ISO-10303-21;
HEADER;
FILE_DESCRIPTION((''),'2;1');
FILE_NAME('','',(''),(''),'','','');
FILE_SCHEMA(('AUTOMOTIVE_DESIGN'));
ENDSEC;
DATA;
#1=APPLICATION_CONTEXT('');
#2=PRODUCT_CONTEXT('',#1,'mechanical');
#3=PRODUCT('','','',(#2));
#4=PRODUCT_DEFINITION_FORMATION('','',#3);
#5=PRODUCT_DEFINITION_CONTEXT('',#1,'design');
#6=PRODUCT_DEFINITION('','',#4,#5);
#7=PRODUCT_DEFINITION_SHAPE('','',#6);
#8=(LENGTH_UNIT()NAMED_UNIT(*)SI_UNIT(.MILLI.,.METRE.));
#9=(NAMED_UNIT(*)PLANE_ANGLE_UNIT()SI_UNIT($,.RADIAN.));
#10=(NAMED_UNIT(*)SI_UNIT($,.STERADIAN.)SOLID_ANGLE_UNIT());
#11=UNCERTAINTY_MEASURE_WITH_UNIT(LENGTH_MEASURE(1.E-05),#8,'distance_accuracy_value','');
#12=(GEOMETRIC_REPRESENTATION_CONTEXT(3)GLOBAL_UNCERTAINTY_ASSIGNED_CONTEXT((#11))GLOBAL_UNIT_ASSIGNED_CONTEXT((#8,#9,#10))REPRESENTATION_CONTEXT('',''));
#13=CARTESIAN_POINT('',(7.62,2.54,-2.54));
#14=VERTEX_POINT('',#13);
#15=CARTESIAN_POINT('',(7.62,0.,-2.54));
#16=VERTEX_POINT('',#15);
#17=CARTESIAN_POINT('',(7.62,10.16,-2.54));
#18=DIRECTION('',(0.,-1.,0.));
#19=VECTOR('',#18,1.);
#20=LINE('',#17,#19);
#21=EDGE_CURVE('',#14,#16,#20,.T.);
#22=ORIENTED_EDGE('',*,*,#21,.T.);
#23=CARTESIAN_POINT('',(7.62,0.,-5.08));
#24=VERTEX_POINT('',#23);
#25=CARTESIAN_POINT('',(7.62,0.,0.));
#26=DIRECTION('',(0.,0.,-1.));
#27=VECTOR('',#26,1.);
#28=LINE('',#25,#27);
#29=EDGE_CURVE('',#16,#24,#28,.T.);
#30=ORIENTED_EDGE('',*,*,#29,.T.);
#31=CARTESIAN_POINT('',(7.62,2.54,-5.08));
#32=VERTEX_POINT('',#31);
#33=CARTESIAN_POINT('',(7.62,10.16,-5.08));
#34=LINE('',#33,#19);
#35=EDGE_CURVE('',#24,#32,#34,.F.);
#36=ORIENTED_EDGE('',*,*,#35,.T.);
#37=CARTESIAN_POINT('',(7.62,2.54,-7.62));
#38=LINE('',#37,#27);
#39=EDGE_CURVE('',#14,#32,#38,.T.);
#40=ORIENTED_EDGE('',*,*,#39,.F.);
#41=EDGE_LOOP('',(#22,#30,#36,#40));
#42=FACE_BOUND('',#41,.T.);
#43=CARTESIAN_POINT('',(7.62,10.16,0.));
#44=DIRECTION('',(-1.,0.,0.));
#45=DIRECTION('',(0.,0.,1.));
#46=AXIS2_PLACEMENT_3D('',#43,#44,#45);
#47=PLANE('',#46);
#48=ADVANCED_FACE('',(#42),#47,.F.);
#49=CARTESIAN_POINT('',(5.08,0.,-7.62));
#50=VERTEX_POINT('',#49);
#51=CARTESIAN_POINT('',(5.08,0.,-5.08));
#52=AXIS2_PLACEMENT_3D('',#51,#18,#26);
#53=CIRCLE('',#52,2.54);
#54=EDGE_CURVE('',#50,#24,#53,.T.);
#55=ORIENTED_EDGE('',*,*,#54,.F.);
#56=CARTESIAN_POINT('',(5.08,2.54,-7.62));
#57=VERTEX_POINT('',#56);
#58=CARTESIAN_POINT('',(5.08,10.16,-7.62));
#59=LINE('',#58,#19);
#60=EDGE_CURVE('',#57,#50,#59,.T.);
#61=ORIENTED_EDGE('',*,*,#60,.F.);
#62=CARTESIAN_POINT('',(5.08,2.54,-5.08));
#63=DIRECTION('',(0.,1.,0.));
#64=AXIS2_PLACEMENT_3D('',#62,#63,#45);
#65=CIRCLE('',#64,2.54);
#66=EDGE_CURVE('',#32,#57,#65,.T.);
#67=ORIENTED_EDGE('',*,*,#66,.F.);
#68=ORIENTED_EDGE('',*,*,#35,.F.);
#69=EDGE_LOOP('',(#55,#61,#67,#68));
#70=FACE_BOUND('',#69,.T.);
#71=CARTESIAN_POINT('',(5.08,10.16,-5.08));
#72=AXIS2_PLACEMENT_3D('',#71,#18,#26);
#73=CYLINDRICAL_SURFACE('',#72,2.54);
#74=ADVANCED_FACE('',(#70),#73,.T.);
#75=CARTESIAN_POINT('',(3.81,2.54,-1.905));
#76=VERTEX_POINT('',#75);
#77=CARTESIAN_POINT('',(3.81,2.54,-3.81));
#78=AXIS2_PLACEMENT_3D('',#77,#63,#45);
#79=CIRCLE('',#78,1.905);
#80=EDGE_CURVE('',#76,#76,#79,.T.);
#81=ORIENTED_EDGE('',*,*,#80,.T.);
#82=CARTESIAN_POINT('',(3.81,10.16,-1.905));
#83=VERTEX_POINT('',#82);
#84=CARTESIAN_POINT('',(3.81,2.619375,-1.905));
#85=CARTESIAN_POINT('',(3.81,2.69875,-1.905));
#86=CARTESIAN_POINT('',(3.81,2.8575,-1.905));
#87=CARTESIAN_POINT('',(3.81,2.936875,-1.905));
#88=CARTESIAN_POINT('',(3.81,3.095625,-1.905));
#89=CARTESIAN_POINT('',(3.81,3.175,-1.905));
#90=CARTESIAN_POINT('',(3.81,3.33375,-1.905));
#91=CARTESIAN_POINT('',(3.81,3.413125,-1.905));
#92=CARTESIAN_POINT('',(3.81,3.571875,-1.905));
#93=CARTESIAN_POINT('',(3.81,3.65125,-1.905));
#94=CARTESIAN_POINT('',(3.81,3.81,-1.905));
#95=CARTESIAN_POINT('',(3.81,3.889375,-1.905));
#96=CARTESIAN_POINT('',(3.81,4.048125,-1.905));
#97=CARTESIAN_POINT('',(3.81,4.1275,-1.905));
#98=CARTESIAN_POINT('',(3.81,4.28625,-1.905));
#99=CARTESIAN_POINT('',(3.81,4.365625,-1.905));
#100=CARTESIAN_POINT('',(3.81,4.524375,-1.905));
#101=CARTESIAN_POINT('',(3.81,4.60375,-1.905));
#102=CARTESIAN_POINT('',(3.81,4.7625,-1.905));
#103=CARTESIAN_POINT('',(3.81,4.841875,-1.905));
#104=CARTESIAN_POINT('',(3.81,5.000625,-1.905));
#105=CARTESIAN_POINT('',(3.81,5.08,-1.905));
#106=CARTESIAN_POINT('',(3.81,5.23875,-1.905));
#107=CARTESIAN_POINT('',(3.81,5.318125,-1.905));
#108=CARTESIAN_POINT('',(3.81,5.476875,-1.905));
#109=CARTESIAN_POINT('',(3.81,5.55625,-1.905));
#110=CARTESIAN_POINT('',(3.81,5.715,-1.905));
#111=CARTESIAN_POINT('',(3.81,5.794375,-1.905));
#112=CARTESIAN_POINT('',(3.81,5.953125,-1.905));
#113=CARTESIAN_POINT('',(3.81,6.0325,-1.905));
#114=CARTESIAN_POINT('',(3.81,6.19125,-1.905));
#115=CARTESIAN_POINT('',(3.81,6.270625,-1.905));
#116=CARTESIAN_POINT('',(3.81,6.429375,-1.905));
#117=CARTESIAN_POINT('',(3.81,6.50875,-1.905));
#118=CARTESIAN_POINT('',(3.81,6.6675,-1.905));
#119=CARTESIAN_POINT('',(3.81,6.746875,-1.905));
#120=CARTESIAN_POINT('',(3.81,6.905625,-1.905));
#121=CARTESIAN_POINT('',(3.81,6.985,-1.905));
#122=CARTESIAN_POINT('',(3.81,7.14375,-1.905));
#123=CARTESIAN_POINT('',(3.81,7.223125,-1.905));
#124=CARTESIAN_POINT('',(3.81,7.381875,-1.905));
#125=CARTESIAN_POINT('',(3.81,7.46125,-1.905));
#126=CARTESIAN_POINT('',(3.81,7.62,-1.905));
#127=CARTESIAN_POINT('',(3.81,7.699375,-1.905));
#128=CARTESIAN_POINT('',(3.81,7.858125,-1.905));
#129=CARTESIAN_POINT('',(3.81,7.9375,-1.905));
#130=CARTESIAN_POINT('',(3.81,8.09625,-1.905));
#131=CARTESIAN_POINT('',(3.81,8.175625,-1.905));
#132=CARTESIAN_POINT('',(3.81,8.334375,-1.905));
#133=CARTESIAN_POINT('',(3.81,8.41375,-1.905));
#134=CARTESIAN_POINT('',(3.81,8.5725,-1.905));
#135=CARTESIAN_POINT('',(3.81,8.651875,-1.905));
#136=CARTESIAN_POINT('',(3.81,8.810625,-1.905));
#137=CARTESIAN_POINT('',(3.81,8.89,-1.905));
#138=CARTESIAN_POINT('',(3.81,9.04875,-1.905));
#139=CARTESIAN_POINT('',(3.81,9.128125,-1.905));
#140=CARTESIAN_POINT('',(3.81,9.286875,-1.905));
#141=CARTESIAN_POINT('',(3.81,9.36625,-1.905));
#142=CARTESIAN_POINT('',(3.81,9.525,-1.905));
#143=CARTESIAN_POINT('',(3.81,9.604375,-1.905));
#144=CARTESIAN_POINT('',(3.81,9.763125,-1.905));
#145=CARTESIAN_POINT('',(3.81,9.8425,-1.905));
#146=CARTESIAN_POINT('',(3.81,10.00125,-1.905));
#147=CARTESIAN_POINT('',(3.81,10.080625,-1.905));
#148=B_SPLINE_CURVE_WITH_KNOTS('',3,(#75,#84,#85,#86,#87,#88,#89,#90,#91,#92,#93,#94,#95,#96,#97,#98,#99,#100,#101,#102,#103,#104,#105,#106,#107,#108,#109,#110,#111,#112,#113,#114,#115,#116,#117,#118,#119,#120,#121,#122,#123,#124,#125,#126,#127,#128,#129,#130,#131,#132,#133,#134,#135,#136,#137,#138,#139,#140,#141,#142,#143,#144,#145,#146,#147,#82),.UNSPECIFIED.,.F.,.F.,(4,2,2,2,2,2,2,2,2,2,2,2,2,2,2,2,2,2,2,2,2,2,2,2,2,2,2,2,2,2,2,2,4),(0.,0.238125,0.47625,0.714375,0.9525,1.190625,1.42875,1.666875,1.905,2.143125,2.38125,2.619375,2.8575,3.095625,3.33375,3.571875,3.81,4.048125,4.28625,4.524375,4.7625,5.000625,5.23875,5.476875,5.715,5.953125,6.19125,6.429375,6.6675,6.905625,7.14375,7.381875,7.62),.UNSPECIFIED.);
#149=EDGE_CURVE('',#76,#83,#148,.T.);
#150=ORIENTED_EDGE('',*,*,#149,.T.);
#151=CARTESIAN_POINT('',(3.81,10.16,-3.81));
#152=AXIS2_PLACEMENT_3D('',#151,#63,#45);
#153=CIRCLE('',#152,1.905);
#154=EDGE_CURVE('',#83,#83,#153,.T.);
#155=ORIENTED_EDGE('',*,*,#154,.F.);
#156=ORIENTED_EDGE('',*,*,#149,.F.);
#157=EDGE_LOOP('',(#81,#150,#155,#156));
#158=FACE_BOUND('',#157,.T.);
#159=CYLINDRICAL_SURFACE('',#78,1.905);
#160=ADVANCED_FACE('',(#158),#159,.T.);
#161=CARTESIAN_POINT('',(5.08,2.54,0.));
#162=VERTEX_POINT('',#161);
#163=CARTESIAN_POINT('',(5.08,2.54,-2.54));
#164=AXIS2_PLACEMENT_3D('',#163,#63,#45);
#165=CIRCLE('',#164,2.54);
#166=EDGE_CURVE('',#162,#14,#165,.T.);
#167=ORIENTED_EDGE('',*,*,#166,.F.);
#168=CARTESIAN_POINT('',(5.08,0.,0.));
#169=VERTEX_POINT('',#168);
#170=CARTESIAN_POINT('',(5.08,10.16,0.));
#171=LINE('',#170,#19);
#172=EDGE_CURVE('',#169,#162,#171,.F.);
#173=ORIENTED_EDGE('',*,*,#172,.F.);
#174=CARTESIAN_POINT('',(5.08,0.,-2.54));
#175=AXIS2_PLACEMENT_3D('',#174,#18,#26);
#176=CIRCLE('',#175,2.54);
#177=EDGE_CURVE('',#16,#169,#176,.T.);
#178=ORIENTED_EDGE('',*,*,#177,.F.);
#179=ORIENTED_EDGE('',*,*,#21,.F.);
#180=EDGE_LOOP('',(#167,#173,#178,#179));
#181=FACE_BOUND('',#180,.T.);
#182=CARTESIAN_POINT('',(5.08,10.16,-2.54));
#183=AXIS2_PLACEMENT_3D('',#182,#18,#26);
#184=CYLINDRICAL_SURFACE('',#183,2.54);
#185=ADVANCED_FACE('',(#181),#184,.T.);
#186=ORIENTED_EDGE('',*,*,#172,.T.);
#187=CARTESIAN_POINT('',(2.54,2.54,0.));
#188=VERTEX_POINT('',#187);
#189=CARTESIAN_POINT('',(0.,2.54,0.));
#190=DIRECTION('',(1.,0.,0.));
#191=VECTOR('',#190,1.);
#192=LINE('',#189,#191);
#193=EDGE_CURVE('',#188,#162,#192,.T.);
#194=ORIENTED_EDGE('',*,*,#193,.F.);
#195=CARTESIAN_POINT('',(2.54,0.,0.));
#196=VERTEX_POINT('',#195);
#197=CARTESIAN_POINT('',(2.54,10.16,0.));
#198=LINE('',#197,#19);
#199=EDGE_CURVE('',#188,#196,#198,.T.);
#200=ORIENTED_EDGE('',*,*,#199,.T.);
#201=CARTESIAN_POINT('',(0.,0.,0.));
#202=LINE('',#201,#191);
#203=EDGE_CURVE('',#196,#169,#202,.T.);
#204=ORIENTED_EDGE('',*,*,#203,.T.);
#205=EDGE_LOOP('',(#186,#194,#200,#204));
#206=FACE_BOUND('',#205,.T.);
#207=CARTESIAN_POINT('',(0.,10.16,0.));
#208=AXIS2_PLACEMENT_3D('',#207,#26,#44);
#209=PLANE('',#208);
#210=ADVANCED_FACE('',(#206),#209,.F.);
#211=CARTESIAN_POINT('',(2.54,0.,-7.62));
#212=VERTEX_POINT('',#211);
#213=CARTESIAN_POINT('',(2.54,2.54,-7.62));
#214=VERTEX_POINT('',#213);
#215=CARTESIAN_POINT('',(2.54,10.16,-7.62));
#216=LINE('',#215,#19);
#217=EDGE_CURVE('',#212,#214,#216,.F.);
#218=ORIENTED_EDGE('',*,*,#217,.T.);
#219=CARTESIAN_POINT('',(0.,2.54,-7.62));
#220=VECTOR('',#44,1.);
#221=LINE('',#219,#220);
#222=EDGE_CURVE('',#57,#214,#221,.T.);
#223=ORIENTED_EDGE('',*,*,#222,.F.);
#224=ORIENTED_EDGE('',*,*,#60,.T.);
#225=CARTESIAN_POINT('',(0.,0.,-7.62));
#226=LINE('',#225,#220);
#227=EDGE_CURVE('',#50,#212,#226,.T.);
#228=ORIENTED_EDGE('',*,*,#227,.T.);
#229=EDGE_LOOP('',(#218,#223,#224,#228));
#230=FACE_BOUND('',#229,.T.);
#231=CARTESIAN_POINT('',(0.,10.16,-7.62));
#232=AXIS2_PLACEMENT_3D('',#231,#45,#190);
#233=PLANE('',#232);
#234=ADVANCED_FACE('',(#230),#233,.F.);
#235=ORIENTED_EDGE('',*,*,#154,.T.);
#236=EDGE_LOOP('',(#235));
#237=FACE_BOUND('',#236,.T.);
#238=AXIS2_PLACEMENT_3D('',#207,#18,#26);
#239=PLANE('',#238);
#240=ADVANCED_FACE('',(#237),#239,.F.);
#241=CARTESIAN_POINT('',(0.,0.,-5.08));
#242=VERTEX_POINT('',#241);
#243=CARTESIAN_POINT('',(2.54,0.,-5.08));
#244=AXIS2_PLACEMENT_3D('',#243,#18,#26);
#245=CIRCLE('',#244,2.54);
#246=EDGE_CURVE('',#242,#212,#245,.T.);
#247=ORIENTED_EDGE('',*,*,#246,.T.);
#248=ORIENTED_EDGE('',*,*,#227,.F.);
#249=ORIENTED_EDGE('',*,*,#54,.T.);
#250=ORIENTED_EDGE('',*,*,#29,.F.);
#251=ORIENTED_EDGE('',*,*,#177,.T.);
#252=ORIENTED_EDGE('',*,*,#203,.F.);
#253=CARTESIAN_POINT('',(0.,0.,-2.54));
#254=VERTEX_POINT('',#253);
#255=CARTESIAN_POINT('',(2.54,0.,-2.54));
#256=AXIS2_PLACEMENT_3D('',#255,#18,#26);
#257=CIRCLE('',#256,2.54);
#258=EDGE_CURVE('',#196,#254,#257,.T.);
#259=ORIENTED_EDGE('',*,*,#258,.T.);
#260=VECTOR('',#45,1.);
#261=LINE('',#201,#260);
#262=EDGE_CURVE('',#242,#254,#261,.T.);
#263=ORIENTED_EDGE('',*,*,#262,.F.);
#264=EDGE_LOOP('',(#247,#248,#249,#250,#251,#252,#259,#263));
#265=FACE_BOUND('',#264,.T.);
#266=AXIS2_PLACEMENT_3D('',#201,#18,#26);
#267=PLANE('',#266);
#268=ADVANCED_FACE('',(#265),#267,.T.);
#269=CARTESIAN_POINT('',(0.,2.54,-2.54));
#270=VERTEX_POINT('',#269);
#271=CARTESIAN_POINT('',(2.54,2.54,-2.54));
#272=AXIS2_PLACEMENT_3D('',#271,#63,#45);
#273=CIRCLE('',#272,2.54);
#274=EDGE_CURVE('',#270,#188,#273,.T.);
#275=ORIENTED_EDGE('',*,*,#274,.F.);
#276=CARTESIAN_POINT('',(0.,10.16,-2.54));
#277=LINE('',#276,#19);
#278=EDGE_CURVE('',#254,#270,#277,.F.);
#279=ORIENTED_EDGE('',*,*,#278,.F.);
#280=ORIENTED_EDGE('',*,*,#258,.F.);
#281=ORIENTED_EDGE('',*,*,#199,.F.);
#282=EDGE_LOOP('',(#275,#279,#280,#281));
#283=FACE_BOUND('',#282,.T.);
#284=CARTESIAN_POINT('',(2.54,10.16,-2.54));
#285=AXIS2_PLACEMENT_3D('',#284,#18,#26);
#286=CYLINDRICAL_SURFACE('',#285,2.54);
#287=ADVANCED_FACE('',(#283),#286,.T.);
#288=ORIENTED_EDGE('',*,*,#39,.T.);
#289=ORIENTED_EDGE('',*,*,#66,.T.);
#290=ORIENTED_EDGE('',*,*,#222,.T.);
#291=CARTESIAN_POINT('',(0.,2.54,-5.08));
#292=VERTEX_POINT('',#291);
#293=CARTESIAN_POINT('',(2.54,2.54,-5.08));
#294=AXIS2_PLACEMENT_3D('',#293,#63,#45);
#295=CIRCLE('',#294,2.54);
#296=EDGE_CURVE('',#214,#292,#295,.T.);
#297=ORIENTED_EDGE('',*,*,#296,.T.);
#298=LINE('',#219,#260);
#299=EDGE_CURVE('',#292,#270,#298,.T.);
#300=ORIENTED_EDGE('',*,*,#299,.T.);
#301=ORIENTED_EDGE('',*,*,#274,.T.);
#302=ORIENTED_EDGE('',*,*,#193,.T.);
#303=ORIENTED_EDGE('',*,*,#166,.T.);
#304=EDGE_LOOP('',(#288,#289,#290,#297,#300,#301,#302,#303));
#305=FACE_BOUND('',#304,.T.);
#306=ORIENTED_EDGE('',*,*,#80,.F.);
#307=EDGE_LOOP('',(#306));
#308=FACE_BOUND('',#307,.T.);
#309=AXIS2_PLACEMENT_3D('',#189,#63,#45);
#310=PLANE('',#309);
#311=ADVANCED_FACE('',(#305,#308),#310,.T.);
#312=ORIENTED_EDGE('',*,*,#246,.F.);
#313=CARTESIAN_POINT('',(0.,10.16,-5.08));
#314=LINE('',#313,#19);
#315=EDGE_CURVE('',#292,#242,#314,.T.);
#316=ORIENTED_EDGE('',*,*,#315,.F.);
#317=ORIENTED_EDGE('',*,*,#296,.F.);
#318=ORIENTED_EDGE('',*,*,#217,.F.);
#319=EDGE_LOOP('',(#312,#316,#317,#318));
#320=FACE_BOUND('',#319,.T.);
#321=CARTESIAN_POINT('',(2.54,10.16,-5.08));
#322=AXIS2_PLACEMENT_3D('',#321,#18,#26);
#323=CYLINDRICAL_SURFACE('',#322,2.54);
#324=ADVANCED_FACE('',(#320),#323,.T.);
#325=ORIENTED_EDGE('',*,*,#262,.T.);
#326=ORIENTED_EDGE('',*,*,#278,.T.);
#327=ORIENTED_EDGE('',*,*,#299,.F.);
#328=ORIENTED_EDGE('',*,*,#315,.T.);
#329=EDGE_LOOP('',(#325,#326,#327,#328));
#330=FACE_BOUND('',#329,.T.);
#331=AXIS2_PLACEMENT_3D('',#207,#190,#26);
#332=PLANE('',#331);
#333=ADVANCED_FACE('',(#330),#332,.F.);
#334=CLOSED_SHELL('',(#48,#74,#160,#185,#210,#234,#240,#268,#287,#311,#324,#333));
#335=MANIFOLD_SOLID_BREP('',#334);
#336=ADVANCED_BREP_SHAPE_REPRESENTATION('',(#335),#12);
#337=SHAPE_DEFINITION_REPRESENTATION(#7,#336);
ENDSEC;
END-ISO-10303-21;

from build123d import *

# Parameters (mm, degrees)
SKETCH1_W           = 7.62
SKETCH1_H           = 7.62
BOSS_EXTRUDE1_DEPTH = 10.16
SKETCH2_W           = 7.62
SKETCH2_H           = 7.62
SKETCH2_R           = 1.905
CUT_EXTRUDE1_DEPTH  = 7.62
FILLET1_R           = 2.54
FILLET2_R           = 2.54
FILLET3_R           = 2.54
FILLET4_R           = 2.54


with BuildPart() as part:
    # Sketch1 → Boss-Extrude1 (new body)
    with BuildSketch(Plane(origin=(0, 0, 0), x_dir=(1, 0, 0), z_dir=(0, 1, 0))):
        with Locations((3.81, 3.81)):
            Rectangle(SKETCH1_W, SKETCH1_H)
    extrude(amount=BOSS_EXTRUDE1_DEPTH)

    # Sketch2 → Cut-Extrude1 (cut)
    with BuildSketch(Plane(origin=(0, 10.16, 0), x_dir=(1, 0, 0), z_dir=(0, 1, 0))):
        with Locations((3.81, 3.81)):
            Rectangle(SKETCH2_W, SKETCH2_H)
        with Locations(Location((3.81, 3.81, 0), (0, 0, 270))):
            Circle(SKETCH2_R, mode=Mode.SUBTRACT)
    extrude(amount=-CUT_EXTRUDE1_DEPTH, mode=Mode.SUBTRACT)

    # Fillet1
    fillet1_edges = [part.edges().sort_by_distance(p)[0] for p in [
        (7.62, 1.27, -7.62),
    ]]
    fillet(fillet1_edges, radius=FILLET1_R)

    # Fillet2
    fillet2_edges = [part.edges().sort_by_distance(p)[0] for p in [
        (0, 1.27, -7.62),
    ]]
    fillet(fillet2_edges, radius=FILLET2_R)

    # Fillet3
    fillet3_edges = [part.edges().sort_by_distance(p)[0] for p in [
        (7.62, 1.27, 0),
    ]]
    fillet(fillet3_edges, radius=FILLET3_R)

    # Fillet4
    fillet4_edges = [part.edges().sort_by_distance(p)[0] for p in [
        (0, 1.27, 0),
    ]]
    fillet(fillet4_edges, radius=FILLET4_R)


solid = part.part
